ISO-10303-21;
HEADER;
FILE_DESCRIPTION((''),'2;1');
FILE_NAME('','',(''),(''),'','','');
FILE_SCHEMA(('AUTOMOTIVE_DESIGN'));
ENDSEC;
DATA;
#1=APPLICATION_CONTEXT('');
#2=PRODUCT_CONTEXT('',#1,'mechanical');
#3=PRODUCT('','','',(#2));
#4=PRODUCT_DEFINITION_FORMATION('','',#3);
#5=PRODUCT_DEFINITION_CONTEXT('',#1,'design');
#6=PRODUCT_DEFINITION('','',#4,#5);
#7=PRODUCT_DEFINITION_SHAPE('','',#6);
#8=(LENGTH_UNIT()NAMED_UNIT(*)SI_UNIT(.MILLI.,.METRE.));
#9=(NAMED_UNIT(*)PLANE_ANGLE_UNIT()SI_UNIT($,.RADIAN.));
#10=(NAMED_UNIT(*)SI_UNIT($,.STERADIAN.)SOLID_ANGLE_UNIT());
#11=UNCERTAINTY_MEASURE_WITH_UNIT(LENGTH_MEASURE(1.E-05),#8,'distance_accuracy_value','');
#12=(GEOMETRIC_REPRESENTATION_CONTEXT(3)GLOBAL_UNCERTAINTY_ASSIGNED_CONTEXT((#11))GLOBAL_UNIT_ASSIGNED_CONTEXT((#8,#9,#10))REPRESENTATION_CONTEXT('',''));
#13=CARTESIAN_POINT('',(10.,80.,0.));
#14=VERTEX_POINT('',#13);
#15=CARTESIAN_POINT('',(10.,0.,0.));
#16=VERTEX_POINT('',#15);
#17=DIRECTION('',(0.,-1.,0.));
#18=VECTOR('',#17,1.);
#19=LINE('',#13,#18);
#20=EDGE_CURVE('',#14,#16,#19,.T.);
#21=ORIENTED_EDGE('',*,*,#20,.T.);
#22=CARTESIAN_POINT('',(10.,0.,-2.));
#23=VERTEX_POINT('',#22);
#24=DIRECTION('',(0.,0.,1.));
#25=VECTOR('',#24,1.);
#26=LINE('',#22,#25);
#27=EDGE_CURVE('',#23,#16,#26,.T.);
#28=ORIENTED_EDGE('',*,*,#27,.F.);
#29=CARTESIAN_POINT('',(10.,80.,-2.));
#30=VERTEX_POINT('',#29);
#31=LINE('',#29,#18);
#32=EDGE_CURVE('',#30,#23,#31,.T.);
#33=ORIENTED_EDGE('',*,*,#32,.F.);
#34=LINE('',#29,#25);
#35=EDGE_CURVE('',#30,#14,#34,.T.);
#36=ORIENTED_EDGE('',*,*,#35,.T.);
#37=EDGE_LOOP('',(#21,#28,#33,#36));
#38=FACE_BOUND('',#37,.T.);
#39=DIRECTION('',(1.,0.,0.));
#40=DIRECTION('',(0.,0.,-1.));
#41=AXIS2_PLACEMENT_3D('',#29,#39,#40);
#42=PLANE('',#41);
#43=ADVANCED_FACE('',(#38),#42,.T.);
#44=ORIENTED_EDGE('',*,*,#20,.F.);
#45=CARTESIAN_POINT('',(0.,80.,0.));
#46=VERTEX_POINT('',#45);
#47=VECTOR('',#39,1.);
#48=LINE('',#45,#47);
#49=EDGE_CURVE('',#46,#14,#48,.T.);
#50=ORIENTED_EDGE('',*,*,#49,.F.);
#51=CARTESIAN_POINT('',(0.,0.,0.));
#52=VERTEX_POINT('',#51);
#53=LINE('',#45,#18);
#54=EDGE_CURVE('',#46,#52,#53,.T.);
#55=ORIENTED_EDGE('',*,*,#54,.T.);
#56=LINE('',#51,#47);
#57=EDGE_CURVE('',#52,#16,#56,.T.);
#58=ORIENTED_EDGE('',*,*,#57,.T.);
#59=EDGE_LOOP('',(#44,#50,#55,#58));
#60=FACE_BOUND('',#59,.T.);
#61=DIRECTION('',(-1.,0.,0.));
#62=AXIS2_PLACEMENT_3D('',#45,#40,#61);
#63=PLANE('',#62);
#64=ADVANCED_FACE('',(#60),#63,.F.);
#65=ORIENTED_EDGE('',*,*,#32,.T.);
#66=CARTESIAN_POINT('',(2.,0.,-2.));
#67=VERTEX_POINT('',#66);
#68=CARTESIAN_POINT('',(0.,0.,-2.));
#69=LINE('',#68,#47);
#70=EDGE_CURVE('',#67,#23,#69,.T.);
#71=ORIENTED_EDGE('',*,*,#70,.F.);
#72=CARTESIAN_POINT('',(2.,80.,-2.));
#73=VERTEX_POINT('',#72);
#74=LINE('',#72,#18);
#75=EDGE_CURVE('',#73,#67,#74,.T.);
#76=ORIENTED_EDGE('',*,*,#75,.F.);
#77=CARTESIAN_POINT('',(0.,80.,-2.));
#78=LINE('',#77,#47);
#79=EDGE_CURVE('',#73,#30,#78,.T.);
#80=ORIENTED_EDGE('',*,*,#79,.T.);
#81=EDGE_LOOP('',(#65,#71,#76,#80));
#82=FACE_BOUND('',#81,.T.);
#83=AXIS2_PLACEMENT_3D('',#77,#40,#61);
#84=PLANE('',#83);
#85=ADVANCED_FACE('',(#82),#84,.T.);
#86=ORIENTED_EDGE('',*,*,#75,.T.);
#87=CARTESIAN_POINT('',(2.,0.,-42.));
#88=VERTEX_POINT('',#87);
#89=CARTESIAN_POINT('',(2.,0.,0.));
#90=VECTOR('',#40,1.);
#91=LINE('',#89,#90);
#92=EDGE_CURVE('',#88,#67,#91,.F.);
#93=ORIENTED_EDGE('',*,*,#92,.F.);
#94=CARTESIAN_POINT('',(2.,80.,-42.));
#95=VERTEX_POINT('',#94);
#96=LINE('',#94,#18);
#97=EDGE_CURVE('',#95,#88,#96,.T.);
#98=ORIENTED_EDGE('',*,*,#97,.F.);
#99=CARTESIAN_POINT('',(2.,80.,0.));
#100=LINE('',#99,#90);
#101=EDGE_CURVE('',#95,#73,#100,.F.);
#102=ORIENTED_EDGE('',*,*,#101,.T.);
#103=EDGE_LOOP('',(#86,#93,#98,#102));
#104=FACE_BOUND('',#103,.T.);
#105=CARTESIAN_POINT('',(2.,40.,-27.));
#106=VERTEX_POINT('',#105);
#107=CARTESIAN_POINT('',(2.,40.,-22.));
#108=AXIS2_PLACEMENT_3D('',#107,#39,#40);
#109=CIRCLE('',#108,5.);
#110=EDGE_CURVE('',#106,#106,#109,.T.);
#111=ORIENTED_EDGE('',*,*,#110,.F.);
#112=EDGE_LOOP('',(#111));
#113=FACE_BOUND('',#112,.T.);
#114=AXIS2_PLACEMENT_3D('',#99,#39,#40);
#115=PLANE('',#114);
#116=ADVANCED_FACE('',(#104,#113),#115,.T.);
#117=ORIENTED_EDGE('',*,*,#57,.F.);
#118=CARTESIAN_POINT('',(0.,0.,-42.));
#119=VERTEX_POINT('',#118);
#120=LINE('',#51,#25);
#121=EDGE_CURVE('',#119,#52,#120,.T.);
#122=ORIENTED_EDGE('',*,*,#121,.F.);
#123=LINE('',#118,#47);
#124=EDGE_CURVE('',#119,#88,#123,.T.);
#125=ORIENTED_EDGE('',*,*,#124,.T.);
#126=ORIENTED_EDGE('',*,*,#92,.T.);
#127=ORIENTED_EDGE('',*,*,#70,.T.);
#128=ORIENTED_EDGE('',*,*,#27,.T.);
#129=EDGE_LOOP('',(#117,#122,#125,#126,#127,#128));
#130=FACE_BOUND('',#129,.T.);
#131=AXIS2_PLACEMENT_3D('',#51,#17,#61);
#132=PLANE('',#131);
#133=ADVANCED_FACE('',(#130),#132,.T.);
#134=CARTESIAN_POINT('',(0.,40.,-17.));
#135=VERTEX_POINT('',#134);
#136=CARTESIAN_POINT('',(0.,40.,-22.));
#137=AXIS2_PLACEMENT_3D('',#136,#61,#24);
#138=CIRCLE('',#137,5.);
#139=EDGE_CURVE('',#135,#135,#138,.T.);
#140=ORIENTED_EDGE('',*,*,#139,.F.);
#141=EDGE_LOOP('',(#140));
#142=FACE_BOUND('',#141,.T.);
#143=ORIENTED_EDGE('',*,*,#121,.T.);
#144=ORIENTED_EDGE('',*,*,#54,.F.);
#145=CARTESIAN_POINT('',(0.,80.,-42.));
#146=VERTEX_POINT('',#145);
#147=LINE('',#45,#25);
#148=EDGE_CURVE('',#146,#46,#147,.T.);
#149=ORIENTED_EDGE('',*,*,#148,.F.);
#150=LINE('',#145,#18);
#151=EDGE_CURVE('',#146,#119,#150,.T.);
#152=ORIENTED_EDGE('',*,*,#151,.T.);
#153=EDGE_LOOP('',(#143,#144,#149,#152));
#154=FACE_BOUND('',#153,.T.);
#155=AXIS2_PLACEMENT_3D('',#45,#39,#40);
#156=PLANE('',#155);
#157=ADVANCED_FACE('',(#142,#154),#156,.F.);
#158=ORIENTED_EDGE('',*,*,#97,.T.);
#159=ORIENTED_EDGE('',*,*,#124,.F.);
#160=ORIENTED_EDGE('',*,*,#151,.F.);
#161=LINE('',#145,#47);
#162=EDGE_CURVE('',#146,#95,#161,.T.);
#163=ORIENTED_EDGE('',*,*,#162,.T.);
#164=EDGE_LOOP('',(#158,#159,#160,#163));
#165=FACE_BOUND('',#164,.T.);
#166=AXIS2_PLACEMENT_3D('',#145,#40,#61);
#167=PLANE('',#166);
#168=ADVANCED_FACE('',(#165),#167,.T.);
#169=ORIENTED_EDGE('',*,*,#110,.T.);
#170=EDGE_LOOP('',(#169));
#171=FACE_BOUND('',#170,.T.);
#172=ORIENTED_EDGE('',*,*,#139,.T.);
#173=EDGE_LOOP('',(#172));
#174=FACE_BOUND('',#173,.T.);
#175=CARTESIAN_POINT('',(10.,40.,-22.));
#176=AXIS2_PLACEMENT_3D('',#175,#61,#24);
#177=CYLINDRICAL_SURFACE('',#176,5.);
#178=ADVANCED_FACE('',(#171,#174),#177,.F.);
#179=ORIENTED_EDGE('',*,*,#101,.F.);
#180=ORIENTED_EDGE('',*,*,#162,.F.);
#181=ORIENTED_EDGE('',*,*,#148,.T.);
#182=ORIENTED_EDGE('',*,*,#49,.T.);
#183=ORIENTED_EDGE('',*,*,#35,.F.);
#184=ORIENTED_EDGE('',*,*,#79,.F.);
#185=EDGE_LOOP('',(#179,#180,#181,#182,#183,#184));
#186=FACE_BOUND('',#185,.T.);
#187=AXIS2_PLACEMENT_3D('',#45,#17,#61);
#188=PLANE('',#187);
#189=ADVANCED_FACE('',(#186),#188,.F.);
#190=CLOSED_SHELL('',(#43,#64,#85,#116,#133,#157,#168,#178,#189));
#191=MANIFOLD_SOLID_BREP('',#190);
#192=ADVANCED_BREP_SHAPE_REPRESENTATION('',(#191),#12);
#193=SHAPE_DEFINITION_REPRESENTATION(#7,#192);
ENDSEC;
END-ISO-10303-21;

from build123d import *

# Parameters (mm, degrees)
EXTRUDE_1_DEPTH     = 80
SKETCH_3_R          = 5
CUT_EXTRUDE_1_DEPTH = 10


with BuildPart() as part:
    # Эскиз2 → Вытянуть-Тонкостенный1 (new body)
    with BuildSketch(Plane(origin=(0, 0, 0), x_dir=(1, 0, 0), z_dir=(0, 1, 0))):
        Polygon((0, 42), (0, 0), (10, 0), (10, 2), (2, 2), (2, 42), align=None)
    extrude(amount=EXTRUDE_1_DEPTH)

    # Эскиз3 → Вырез-Вытянуть1 (cut)
    with BuildSketch(Plane.ZY):
        with Locations((-22, 40)):
            Circle(SKETCH_3_R)
    extrude(amount=-CUT_EXTRUDE_1_DEPTH, mode=Mode.SUBTRACT)


solid = part.part
